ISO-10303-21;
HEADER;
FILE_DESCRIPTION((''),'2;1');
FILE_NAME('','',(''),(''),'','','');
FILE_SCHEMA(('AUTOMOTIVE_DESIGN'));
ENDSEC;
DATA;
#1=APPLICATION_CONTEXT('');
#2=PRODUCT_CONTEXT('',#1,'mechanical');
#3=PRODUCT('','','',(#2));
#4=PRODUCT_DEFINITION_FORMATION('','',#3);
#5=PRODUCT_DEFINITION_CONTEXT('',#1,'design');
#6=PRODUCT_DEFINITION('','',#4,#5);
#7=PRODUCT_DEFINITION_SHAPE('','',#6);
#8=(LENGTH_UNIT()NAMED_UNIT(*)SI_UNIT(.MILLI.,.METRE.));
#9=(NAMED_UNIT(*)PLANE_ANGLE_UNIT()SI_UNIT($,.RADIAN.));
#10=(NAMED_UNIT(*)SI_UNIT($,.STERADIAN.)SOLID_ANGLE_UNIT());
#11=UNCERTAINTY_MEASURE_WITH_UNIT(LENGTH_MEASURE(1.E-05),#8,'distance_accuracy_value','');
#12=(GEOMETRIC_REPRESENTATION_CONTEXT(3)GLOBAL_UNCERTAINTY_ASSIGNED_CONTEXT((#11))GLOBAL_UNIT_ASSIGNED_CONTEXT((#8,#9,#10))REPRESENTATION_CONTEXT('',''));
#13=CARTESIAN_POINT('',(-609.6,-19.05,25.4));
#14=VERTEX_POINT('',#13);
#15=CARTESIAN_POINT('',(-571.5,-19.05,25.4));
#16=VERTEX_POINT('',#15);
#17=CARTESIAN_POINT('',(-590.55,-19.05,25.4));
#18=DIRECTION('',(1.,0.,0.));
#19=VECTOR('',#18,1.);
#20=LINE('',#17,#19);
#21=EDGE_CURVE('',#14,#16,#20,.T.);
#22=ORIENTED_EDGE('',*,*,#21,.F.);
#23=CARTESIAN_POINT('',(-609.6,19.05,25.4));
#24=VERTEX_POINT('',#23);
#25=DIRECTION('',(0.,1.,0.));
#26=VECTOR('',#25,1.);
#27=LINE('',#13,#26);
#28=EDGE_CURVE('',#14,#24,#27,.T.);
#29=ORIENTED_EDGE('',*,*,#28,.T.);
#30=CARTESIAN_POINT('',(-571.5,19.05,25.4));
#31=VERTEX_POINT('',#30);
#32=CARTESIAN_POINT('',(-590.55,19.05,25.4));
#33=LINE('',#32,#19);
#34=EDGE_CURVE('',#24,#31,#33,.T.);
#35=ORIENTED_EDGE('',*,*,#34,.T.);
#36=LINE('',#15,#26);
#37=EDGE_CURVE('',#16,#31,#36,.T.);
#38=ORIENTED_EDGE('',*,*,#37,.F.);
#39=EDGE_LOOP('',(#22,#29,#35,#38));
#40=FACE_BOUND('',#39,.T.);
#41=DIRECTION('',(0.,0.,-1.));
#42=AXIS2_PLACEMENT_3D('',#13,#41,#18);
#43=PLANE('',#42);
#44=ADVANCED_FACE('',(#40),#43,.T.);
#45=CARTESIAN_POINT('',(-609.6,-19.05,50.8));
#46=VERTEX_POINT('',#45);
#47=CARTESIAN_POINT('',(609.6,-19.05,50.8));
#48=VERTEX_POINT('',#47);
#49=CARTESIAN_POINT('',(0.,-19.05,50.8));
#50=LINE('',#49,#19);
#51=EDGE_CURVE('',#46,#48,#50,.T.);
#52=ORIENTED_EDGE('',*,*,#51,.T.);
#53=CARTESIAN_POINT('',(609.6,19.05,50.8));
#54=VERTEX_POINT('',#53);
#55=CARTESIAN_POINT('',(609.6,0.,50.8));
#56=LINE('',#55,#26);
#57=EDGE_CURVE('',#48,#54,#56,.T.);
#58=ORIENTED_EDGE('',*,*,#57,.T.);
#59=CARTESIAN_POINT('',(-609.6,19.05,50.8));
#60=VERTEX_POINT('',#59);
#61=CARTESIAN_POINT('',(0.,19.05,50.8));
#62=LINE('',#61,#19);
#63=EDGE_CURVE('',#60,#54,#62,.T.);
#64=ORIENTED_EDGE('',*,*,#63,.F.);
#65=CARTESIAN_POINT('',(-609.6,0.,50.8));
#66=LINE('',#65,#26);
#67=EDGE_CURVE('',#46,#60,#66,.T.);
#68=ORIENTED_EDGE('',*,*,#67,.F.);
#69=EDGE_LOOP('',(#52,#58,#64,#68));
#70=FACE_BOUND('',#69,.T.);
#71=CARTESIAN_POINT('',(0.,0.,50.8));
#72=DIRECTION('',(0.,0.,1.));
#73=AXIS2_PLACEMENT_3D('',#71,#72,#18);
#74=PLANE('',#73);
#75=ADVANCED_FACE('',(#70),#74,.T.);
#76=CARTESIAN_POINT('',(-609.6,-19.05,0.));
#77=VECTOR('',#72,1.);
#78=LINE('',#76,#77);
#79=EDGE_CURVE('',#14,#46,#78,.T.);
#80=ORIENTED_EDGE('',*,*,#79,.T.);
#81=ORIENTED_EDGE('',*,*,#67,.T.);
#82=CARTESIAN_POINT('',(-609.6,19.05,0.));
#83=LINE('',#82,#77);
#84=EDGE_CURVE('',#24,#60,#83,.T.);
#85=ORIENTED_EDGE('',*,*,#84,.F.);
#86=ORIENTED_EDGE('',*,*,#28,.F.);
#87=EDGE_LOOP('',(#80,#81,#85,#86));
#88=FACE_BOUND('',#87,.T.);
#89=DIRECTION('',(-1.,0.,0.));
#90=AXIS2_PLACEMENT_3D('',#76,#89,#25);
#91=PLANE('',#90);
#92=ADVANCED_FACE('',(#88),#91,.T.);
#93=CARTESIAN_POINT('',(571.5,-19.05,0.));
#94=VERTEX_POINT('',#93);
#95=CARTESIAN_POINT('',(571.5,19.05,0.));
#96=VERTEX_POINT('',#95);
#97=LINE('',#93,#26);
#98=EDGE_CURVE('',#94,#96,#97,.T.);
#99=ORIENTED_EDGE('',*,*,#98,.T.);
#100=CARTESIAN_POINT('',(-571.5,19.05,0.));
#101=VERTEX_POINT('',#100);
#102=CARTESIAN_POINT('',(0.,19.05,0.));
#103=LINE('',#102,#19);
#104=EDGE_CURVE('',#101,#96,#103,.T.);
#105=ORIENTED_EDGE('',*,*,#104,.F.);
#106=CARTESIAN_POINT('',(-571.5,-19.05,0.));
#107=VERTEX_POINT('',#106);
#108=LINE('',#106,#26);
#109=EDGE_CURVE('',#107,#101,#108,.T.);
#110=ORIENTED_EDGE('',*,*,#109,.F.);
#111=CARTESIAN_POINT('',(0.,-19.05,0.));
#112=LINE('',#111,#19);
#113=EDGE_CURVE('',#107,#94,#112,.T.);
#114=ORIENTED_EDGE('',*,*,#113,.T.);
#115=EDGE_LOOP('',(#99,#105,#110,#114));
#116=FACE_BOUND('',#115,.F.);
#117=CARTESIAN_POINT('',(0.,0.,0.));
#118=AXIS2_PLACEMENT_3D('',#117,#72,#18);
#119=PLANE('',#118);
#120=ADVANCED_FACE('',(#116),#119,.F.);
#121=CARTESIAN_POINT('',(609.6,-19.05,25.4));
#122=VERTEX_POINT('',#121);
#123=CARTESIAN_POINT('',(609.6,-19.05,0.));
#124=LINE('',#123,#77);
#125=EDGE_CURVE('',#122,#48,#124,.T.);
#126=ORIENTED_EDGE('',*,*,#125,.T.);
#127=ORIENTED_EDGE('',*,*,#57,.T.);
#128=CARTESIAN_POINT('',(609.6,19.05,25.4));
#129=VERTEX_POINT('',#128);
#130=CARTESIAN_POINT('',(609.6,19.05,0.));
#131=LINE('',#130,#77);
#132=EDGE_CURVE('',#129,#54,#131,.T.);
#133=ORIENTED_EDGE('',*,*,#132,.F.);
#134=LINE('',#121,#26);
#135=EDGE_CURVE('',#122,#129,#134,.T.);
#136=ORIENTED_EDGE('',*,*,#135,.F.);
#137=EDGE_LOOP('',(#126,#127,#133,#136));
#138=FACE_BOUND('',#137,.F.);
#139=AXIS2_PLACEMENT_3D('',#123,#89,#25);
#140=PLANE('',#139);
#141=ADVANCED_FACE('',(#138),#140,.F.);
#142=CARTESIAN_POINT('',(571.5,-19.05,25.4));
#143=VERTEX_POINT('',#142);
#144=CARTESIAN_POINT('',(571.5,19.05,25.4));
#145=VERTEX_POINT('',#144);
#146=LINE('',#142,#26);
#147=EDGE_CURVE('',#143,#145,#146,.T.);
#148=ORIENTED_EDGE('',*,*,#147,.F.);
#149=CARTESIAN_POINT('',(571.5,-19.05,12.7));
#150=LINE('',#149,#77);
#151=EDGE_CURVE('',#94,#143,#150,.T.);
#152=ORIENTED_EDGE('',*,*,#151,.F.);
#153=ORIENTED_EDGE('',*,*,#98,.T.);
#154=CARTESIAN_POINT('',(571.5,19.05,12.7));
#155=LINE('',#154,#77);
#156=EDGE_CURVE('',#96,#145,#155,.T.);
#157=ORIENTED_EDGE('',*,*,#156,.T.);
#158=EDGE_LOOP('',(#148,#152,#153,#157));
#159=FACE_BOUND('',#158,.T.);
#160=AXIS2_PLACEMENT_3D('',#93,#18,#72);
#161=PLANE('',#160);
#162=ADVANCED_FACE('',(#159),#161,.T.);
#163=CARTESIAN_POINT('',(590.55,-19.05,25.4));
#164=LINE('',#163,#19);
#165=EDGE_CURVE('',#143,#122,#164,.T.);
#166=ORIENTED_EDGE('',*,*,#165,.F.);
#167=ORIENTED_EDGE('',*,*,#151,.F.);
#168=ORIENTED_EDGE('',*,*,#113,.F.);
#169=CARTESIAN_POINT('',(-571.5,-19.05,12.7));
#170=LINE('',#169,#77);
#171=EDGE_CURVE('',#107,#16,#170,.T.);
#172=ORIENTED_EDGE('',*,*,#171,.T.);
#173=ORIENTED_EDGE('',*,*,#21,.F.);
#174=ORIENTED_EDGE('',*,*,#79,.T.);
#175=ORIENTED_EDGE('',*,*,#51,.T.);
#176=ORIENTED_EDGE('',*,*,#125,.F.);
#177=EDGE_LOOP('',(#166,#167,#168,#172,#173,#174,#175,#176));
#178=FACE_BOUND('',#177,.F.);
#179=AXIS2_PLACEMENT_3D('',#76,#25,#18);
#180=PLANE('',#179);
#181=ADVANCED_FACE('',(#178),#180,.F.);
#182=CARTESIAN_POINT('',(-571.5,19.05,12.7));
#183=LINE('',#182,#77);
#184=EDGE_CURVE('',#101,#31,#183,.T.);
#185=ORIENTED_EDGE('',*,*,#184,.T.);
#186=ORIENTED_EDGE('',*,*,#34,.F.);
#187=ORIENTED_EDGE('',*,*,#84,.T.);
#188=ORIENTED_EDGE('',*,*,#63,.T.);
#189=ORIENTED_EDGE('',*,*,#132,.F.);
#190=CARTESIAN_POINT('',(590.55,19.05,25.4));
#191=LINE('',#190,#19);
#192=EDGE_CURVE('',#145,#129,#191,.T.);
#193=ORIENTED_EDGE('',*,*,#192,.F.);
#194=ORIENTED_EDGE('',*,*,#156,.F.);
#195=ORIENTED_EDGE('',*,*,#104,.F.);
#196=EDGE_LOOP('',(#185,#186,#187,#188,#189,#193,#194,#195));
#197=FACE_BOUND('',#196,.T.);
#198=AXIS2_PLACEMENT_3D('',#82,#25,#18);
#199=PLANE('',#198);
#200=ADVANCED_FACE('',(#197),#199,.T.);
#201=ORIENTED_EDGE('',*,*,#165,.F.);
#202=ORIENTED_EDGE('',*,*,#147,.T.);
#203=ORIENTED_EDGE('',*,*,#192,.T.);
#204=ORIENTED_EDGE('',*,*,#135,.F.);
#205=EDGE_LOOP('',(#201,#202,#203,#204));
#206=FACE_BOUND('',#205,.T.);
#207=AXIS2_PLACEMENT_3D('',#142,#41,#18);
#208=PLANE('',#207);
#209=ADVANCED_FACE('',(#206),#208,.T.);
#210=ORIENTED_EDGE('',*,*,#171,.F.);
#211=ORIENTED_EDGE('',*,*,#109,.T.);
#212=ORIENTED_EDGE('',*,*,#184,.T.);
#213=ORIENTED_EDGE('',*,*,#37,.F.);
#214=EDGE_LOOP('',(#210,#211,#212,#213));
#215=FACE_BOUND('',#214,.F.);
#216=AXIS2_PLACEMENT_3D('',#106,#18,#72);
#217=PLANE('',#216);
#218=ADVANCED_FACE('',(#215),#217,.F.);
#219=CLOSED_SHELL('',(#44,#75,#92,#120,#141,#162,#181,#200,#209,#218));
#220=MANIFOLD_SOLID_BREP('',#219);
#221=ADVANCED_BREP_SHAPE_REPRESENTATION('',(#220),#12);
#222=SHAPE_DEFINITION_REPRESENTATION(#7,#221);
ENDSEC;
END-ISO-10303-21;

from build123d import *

# Parameters (mm, degrees)
F0_W     = 1219.2
F0_H     = 38.1
F1_DEPTH = 50.8
F2_W     = 38.1
F2_H     = 25.4
F3_DEPTH = 38.1


with BuildPart() as f1:
    # F0 (on Top) → F1 (new body)
    with BuildSketch(Plane.XY):
        Rectangle(F0_W, F0_H)
    extrude(amount=F1_DEPTH)

    # F2 (on face) → F3 (cut)
    with BuildSketch(Plane.XZ.offset(19.05)):
        with Locations((590.55, 12.7)):
            Rectangle(F2_W, F2_H)
        with Locations((-590.55, 12.7)):
            Rectangle(F2_W, F2_H)
    extrude(amount=-F3_DEPTH, mode=Mode.SUBTRACT)


solid = f1.part
